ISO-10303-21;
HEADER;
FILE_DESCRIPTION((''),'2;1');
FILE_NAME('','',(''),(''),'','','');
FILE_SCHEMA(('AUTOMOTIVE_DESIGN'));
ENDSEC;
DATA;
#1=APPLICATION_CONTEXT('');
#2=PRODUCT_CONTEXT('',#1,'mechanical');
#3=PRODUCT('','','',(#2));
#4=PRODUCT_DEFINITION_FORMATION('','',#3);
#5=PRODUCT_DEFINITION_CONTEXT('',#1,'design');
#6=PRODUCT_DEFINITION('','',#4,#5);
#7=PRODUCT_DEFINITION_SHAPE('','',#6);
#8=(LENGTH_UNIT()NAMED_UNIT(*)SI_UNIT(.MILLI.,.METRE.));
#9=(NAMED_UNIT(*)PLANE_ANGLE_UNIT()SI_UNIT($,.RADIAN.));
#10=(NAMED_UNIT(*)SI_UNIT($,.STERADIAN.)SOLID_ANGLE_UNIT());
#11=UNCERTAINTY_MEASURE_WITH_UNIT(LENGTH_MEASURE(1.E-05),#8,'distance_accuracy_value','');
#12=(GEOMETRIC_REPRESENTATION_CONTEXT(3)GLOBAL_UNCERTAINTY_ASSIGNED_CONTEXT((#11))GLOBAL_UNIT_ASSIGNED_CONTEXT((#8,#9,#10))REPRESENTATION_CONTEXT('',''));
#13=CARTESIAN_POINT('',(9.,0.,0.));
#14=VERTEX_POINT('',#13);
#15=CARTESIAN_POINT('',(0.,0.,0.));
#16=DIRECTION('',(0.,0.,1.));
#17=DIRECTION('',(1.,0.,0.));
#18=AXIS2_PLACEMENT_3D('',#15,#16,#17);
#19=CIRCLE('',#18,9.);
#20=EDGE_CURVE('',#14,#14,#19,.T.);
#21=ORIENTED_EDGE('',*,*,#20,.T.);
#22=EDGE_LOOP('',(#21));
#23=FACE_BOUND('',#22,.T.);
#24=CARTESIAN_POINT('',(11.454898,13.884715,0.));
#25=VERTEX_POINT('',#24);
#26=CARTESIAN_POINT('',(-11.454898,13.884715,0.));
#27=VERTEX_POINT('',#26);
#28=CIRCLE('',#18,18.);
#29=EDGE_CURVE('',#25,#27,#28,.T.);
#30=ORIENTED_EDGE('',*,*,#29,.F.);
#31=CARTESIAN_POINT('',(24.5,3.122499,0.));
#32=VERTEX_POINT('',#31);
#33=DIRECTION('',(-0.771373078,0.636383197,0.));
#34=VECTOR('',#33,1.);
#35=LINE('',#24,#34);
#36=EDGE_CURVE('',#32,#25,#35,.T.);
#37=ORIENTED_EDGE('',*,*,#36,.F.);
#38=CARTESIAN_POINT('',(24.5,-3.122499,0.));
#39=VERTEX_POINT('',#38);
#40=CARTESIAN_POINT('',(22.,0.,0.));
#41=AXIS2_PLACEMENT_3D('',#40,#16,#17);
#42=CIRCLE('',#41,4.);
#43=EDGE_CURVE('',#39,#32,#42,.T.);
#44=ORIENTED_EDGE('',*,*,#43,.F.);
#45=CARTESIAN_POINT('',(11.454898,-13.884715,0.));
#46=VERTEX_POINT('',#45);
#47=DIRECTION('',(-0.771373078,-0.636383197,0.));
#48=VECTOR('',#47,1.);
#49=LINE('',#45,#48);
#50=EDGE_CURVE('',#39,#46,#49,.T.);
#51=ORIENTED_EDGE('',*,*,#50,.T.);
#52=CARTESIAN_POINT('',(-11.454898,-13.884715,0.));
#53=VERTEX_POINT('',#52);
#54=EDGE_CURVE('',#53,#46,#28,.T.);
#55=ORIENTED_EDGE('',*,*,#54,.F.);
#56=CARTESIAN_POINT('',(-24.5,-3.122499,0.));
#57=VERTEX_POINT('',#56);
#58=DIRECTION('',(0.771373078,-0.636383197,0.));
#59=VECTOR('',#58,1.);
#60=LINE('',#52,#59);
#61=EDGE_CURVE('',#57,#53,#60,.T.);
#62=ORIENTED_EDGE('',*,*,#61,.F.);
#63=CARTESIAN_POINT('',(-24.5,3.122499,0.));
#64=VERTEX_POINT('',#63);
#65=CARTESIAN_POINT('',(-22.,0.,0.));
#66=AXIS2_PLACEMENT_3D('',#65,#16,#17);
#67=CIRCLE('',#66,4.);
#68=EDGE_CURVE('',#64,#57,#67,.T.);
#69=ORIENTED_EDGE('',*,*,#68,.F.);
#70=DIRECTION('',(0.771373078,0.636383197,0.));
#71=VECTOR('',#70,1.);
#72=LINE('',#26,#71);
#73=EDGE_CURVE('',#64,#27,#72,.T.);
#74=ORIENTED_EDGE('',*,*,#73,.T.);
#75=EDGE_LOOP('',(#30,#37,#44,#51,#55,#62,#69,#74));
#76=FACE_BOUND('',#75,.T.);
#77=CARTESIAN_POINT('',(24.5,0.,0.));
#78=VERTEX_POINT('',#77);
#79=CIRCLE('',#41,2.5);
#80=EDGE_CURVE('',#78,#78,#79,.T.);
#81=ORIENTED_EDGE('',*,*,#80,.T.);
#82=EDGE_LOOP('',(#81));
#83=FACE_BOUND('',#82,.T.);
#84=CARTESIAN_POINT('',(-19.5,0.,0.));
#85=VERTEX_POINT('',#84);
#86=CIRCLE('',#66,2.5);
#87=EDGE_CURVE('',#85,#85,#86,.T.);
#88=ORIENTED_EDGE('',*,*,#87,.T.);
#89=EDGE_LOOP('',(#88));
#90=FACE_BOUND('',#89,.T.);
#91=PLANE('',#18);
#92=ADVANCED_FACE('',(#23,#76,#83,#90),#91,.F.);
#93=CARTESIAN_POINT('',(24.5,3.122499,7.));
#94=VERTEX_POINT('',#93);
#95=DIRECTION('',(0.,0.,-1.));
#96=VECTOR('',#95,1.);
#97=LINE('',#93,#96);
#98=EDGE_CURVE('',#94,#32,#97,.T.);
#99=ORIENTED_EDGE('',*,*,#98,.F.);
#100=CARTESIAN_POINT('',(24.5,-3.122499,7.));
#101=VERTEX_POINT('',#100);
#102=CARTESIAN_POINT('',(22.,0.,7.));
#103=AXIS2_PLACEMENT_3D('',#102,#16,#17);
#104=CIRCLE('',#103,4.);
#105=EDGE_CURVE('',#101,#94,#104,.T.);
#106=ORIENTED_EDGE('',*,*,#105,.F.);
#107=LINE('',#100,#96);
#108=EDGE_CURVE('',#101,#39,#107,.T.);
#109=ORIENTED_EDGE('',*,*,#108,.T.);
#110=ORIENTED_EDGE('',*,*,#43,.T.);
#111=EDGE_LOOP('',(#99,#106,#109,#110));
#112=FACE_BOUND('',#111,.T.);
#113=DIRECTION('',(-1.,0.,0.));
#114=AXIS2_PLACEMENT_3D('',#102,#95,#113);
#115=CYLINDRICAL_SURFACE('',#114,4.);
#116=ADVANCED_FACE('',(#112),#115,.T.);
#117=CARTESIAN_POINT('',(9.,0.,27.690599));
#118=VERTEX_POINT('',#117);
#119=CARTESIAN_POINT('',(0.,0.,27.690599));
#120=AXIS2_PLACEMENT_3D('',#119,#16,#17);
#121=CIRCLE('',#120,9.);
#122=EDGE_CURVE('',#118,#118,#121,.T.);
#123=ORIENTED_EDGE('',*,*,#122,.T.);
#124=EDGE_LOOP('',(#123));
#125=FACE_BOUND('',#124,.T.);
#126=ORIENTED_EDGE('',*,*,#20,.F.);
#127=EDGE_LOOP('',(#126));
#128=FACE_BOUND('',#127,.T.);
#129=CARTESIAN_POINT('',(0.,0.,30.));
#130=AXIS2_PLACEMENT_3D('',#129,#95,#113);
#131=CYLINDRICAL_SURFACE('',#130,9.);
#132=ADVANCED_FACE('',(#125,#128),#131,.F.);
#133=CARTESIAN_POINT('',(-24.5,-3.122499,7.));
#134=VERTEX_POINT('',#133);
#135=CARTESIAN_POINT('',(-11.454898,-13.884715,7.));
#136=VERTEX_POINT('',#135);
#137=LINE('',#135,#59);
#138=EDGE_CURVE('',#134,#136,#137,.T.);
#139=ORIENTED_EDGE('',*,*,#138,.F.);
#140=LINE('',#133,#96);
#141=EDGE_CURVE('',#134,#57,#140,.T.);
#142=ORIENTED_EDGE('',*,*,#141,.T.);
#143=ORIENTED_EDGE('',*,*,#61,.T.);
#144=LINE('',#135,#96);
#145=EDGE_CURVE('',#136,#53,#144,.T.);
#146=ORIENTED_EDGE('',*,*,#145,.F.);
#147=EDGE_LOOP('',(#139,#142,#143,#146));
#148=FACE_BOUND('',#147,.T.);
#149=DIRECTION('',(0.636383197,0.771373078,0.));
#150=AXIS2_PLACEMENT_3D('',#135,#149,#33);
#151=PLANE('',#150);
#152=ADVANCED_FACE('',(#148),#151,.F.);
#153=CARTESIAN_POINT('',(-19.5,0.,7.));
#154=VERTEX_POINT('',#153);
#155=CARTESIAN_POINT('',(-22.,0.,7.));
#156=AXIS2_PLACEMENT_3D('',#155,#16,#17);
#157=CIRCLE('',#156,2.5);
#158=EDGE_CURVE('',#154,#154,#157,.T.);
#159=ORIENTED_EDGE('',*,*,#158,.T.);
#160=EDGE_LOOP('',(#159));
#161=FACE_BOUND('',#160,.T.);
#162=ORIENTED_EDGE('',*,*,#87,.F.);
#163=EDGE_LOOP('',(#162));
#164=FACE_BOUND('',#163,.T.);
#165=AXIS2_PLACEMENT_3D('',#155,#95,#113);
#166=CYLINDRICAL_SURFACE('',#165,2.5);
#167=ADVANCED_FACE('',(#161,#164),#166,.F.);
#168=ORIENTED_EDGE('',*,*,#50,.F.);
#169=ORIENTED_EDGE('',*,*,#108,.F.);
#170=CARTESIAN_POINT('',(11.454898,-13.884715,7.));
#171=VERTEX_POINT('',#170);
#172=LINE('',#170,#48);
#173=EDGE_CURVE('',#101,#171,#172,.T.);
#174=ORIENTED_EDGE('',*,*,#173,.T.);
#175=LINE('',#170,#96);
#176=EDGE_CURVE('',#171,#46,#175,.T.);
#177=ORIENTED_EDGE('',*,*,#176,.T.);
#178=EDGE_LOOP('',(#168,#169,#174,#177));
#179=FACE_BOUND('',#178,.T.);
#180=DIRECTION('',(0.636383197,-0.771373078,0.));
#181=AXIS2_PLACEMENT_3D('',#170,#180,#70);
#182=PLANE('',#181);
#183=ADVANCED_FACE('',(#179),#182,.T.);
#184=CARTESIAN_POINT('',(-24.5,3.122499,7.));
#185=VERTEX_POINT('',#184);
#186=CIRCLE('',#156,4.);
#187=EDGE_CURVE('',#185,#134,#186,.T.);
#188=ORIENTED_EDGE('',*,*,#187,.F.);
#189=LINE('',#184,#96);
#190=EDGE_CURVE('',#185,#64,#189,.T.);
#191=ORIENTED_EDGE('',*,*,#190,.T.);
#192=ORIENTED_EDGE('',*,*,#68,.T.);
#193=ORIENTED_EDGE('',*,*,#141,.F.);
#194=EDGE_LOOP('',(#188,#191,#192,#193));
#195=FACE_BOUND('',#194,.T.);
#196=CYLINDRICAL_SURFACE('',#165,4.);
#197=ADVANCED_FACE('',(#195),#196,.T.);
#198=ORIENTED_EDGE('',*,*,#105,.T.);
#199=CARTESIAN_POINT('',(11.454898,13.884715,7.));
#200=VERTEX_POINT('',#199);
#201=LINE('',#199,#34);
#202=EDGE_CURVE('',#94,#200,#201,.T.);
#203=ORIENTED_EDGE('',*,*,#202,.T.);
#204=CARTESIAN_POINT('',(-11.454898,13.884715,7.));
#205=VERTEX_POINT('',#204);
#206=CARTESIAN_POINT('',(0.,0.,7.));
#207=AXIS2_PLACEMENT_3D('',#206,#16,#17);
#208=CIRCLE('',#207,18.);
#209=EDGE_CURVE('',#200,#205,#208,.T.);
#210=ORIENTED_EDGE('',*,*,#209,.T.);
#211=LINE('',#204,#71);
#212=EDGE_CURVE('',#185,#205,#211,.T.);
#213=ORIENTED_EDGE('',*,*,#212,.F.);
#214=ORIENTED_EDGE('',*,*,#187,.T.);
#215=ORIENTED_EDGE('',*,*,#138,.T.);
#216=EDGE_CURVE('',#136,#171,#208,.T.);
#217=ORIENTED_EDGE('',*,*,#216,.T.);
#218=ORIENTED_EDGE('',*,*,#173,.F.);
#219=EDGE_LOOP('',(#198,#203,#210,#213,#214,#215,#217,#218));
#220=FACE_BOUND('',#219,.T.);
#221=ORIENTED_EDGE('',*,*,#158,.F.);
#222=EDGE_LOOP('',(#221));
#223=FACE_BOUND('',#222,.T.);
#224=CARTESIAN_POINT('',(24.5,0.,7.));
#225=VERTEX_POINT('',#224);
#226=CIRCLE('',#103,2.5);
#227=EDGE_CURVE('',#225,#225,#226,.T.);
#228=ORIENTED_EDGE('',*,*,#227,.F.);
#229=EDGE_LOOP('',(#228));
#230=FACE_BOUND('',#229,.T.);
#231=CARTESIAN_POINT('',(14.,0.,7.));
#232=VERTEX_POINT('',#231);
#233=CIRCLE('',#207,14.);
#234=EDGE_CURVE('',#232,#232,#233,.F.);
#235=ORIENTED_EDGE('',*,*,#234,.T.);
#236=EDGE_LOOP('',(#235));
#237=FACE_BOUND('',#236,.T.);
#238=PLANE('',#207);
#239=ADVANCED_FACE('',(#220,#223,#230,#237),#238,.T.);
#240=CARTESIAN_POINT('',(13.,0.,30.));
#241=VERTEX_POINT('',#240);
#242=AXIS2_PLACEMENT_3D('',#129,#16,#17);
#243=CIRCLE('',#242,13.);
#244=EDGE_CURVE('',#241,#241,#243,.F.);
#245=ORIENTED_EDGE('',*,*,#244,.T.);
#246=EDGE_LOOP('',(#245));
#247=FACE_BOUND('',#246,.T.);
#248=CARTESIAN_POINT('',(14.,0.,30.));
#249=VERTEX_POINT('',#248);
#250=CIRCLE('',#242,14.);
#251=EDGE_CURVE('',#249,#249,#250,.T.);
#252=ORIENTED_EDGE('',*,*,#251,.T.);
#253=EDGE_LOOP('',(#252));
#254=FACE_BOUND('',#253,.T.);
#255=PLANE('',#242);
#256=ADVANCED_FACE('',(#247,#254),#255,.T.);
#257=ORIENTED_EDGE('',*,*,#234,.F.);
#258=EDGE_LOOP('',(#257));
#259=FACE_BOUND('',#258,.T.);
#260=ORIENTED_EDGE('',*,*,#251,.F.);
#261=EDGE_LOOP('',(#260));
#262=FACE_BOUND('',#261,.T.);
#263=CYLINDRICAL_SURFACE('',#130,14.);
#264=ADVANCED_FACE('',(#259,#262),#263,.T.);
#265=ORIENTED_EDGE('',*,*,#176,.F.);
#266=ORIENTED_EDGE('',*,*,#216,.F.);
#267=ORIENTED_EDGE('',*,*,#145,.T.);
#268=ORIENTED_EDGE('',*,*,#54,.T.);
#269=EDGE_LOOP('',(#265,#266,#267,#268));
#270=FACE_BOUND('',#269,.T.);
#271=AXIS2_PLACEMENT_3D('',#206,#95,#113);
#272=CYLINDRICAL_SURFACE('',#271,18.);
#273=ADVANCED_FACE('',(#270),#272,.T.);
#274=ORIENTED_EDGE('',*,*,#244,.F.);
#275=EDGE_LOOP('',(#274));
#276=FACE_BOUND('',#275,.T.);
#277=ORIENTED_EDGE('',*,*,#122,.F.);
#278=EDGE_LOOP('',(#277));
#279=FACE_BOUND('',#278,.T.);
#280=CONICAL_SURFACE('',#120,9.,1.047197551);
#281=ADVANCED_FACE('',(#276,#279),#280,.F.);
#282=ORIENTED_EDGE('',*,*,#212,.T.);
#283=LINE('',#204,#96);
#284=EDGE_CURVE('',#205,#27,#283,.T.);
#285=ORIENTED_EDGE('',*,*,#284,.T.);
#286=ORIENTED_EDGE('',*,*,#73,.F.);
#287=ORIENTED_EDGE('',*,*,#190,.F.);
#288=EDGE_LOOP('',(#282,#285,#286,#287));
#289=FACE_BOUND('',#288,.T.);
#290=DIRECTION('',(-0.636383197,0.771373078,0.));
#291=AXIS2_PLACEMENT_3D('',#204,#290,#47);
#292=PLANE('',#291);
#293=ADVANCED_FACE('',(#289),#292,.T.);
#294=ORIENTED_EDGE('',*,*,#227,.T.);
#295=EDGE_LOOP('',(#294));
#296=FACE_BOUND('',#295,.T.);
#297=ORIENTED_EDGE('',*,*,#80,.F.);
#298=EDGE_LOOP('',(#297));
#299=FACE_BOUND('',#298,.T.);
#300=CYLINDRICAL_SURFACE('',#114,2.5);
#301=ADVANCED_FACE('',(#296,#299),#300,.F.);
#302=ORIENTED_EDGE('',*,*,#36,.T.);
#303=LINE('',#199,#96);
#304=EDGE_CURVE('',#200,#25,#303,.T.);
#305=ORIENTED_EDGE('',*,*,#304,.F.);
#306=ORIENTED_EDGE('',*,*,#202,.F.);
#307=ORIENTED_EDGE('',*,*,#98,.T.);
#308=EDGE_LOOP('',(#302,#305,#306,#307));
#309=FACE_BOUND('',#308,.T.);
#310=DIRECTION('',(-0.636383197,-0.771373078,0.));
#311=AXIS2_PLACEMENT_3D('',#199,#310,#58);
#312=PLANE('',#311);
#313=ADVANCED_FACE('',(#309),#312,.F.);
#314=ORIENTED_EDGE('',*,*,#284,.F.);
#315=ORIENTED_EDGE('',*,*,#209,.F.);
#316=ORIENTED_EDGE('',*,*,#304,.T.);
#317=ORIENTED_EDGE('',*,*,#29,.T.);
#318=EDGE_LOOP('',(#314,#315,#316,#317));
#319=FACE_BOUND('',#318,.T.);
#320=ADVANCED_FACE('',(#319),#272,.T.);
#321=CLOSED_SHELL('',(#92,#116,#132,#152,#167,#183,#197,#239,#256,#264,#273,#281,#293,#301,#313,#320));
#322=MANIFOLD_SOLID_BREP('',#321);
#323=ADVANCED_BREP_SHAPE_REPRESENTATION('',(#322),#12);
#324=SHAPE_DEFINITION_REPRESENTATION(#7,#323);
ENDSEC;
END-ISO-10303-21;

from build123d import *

# Parameters (mm, degrees)
SKETCH_1_R          = 2.5
EXTRUDE_1_DEPTH     = 7
SKETCH_1_5_R        = 14
SKETCH_1_5_R_2      = 9
EXTRUDE_3_DEPTH     = 30
SKETCH_1_6_R        = 9
CUT_EXTRUDE_2_DEPTH = 7
CHAMFER_1_SIZE      = 4
CHAMFER_1_SIZE2     = 2.309401077


with BuildPart() as part:
    # 草图1 → 凸台-拉伸1 (new body)
    with BuildSketch(Plane.XY):
        with BuildLine():
            Line((-11.454897552, 13.884715412), (-24.5, 3.122498999))
            ThreePointArc((-24.5, 3.122498999), (-26, 0), (-24.5, -3.122498999))
            Line((-24.5, -3.122498999), (-11.454897552, -13.884715412))
            ThreePointArc((-11.454897552, -13.884715412), (0, -18), (11.454897552, -13.884715412))
            Line((11.454897552, -13.884715412), (24.5, -3.122498999))
            ThreePointArc((24.5, -3.122498999), (26, 0), (24.5, 3.122498999))
            Line((24.5, 3.122498999), (11.454897552, 13.884715412))
            ThreePointArc((11.454897552, 13.884715412), (0, 18), (-11.454897552, 13.884715412))
        make_face()
        with Locations((-22, 0)):
            Circle(SKETCH_1_R, mode=Mode.SUBTRACT)
        with Locations((22, 0)):
            Circle(SKETCH_1_R, mode=Mode.SUBTRACT)
    extrude(amount=EXTRUDE_1_DEPTH)

    # 草图1<5> → 凸台-拉伸3 (add)
    with BuildSketch(Plane.XY):
        Circle(SKETCH_1_5_R)
        Circle(SKETCH_1_5_R_2, mode=Mode.SUBTRACT)
    extrude(amount=EXTRUDE_3_DEPTH)

    # 草图1<6> → 切除-拉伸2 (cut)
    with BuildSketch(Plane.XY):
        Circle(SKETCH_1_6_R)
    extrude(amount=CUT_EXTRUDE_2_DEPTH, mode=Mode.SUBTRACT)

    # 倒角1
    chamfer_1_edges = [part.edges().sort_by_distance(p)[0] for p in [
        (-9, 0, 30),
    ]]
    chamfer_1_side = [part.faces().sort_by_distance(p)[0] for p in [
        (-13.604020203, 0, 30),
    ]]
    chamfer(chamfer_1_edges, length=CHAMFER_1_SIZE, length2=CHAMFER_1_SIZE2, reference=chamfer_1_side[0])


solid = part.part
